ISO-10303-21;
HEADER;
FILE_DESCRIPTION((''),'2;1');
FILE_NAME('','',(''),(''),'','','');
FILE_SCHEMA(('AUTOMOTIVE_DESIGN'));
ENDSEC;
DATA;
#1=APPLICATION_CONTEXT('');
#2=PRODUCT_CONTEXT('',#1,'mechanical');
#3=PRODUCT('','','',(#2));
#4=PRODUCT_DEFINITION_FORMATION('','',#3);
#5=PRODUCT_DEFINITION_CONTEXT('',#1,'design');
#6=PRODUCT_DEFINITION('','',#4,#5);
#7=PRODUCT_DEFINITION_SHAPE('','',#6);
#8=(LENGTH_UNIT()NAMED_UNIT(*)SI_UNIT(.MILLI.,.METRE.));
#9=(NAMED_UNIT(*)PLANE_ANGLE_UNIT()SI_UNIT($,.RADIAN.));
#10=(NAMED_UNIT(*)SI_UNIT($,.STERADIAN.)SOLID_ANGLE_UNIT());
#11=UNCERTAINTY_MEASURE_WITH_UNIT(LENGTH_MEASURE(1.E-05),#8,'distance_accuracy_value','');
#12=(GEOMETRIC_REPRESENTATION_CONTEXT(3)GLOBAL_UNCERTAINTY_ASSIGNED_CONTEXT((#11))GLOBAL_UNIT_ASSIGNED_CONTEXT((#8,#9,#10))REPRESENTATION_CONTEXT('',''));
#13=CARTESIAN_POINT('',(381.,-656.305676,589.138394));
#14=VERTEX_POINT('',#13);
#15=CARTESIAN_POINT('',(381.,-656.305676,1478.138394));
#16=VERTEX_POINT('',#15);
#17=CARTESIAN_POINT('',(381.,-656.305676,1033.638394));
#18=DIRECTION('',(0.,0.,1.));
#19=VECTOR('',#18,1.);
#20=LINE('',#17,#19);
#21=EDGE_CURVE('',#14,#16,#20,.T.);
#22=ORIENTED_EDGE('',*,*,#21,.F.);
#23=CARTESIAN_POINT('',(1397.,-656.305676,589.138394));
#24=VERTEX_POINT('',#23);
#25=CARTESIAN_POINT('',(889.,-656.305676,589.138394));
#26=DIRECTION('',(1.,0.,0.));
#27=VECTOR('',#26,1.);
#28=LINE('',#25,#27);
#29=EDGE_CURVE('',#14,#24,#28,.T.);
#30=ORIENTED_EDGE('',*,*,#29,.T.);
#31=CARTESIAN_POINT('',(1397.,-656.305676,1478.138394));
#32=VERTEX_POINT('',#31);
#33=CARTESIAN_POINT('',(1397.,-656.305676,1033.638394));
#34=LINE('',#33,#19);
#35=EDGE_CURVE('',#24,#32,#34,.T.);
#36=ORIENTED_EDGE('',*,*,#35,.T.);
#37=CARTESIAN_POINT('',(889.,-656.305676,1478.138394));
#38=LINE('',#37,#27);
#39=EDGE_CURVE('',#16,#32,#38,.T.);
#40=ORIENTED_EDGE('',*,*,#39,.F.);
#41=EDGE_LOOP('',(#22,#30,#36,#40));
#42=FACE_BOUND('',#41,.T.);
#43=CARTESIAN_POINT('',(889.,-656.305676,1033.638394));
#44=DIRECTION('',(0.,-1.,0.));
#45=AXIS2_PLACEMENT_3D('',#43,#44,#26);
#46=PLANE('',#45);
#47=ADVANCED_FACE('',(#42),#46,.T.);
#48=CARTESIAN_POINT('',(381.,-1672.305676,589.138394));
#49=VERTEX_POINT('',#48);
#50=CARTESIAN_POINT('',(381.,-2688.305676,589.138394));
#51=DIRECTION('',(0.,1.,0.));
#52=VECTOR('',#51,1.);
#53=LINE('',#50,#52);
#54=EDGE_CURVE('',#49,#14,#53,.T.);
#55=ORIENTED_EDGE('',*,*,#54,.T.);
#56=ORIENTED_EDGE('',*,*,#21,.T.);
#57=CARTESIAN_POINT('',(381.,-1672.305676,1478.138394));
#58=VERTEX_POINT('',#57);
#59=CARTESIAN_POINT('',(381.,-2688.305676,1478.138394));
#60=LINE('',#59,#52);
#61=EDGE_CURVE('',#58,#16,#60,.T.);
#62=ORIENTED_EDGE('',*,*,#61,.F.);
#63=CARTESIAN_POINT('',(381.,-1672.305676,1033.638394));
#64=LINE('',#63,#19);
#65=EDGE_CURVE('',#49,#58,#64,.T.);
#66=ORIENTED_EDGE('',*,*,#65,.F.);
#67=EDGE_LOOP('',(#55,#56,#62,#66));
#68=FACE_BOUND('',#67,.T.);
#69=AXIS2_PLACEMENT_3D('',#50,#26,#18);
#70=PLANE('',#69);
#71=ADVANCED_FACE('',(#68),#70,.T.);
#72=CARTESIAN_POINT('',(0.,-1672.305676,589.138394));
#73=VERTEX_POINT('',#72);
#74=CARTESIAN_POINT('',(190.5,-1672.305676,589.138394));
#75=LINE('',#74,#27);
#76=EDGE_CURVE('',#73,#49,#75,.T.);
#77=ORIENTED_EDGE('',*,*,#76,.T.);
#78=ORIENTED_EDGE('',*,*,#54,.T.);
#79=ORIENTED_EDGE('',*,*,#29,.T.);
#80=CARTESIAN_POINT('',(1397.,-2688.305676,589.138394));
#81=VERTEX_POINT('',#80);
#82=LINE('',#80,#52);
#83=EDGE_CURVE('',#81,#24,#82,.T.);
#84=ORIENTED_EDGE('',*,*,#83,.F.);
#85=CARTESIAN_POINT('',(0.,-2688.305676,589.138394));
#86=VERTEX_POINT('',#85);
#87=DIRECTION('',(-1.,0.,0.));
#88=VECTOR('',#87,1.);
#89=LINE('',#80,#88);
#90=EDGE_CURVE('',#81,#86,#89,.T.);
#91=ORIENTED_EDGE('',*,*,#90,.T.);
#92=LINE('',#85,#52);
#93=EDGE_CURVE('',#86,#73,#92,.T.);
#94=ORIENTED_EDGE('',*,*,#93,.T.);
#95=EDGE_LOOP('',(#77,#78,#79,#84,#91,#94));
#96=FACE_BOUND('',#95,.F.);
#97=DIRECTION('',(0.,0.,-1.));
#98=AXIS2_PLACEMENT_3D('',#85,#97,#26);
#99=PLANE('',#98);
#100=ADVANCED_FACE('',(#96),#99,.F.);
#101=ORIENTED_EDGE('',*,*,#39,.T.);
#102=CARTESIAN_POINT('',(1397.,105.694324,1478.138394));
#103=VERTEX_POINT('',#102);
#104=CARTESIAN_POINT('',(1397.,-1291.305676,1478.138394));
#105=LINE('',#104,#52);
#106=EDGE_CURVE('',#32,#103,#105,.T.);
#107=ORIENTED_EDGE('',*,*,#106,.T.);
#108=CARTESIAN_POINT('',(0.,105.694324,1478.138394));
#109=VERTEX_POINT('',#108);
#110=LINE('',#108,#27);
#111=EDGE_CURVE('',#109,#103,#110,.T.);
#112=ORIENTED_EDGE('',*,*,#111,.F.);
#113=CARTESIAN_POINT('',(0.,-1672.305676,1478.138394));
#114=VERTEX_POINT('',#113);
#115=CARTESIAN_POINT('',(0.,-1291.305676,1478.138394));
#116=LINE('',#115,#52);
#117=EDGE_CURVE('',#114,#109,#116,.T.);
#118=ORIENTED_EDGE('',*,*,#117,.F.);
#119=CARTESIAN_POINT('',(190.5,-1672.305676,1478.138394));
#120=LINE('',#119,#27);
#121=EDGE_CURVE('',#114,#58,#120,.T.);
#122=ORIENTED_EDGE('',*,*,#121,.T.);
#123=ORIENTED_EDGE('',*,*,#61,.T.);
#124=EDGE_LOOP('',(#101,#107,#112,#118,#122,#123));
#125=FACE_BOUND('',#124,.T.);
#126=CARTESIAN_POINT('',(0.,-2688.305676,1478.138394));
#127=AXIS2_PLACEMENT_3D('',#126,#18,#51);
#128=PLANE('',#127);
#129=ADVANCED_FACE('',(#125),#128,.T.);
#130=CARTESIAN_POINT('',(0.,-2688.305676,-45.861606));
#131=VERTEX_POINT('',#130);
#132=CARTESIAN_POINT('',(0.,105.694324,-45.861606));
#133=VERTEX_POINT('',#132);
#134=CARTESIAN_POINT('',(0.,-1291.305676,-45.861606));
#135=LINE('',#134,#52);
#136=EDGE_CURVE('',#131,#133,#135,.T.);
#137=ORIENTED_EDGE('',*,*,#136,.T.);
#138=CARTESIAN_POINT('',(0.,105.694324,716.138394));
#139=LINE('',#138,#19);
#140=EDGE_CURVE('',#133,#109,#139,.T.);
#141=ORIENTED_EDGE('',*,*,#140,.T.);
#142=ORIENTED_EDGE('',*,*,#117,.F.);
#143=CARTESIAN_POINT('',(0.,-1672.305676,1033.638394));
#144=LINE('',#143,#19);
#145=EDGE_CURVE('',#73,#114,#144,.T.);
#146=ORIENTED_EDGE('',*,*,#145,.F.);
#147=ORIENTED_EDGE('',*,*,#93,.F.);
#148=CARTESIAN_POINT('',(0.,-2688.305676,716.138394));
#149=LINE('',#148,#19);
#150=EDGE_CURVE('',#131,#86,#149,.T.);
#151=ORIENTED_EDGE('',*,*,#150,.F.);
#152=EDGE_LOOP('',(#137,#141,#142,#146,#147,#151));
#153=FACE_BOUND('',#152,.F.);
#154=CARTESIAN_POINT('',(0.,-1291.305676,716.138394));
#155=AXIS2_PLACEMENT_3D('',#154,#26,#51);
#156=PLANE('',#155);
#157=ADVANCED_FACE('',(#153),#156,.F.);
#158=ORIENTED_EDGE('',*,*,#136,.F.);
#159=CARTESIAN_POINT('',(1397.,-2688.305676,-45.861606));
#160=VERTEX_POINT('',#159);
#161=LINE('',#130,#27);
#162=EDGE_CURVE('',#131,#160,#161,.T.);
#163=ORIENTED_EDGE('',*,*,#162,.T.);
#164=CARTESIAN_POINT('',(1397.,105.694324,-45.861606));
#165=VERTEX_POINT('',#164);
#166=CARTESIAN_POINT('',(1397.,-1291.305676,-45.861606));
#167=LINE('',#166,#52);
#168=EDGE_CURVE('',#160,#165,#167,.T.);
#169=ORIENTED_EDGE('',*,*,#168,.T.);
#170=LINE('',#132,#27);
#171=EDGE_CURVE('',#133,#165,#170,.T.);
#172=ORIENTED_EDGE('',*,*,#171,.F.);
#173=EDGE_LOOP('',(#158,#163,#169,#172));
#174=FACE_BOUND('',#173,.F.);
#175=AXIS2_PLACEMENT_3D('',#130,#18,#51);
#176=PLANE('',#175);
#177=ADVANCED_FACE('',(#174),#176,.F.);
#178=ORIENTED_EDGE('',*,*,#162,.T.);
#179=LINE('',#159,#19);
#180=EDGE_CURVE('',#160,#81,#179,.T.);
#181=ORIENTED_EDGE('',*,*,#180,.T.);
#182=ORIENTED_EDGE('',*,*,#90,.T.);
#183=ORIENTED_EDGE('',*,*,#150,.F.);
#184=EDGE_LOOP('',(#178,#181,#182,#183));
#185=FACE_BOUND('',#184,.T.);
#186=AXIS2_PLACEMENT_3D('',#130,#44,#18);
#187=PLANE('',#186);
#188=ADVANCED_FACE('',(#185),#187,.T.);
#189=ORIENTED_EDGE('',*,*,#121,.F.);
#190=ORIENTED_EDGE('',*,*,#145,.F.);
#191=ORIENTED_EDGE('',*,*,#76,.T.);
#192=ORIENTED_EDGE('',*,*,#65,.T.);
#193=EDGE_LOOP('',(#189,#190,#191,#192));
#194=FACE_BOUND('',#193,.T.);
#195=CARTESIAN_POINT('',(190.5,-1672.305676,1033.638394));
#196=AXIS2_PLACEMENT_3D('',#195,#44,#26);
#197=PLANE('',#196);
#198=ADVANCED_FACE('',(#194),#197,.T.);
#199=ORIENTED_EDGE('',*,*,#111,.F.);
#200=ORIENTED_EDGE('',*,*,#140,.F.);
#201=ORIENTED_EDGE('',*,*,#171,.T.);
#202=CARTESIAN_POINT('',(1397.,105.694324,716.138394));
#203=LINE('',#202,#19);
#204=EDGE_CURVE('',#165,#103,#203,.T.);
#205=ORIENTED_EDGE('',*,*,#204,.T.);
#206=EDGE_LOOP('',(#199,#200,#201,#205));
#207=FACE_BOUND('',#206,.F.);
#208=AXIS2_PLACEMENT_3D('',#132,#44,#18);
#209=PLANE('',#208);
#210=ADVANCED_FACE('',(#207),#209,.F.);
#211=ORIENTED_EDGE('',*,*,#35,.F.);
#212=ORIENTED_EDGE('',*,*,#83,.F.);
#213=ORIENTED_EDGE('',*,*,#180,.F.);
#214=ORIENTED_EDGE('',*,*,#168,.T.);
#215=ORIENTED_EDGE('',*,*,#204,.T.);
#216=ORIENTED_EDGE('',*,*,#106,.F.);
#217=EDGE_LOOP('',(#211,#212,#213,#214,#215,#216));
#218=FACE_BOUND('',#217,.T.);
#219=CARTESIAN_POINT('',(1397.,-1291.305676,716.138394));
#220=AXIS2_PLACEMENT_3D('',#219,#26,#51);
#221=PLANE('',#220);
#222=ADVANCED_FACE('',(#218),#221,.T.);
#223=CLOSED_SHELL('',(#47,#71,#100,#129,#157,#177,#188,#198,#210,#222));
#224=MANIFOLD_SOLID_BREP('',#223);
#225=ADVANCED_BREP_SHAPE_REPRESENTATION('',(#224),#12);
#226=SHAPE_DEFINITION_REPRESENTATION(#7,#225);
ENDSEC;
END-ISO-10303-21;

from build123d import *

# Parameters (mm, degrees)
F1_W     = 2794
F1_H     = 1524
F2_DEPTH = 1397
F3_W     = 381
F3_H     = 889
F4_DEPTH = 1016
F5_W     = 1016
F5_H     = 889
F6_DEPTH = 2.54
F7_W     = 1016
F7_H     = 889
F8_DEPTH = 2032


with BuildPart() as f2:
    # F1 (on face) → F2 (new body)
    with BuildSketch(Plane.YZ):
        with Locations((-1291.305676, 716.138394)):
            Rectangle(F1_W, F1_H)
    extrude(amount=F2_DEPTH)

    # F3 (on face) → F4 (cut)
    with BuildSketch(Plane.XZ.offset(2688.305676)):
        with Locations((190.5, 1033.638394)):
            Rectangle(F3_W, F3_H)
    extrude(amount=-F4_DEPTH, mode=Mode.SUBTRACT)

    # F5 (on face) → F6 (cut)
    with BuildSketch(Plane.XZ.offset(2688.305676)):
        with Locations((889, 1033.638394)):
            Rectangle(F5_W, F5_H)
    extrude(amount=F6_DEPTH, mode=Mode.SUBTRACT)

    # F7 (on face) → F8 (cut)
    with BuildSketch(Plane.XZ.offset(2688.305676)):
        with Locations((889, 1033.638394)):
            Rectangle(F7_W, F7_H)
    extrude(amount=-F8_DEPTH, mode=Mode.SUBTRACT)


solid = f2.part
